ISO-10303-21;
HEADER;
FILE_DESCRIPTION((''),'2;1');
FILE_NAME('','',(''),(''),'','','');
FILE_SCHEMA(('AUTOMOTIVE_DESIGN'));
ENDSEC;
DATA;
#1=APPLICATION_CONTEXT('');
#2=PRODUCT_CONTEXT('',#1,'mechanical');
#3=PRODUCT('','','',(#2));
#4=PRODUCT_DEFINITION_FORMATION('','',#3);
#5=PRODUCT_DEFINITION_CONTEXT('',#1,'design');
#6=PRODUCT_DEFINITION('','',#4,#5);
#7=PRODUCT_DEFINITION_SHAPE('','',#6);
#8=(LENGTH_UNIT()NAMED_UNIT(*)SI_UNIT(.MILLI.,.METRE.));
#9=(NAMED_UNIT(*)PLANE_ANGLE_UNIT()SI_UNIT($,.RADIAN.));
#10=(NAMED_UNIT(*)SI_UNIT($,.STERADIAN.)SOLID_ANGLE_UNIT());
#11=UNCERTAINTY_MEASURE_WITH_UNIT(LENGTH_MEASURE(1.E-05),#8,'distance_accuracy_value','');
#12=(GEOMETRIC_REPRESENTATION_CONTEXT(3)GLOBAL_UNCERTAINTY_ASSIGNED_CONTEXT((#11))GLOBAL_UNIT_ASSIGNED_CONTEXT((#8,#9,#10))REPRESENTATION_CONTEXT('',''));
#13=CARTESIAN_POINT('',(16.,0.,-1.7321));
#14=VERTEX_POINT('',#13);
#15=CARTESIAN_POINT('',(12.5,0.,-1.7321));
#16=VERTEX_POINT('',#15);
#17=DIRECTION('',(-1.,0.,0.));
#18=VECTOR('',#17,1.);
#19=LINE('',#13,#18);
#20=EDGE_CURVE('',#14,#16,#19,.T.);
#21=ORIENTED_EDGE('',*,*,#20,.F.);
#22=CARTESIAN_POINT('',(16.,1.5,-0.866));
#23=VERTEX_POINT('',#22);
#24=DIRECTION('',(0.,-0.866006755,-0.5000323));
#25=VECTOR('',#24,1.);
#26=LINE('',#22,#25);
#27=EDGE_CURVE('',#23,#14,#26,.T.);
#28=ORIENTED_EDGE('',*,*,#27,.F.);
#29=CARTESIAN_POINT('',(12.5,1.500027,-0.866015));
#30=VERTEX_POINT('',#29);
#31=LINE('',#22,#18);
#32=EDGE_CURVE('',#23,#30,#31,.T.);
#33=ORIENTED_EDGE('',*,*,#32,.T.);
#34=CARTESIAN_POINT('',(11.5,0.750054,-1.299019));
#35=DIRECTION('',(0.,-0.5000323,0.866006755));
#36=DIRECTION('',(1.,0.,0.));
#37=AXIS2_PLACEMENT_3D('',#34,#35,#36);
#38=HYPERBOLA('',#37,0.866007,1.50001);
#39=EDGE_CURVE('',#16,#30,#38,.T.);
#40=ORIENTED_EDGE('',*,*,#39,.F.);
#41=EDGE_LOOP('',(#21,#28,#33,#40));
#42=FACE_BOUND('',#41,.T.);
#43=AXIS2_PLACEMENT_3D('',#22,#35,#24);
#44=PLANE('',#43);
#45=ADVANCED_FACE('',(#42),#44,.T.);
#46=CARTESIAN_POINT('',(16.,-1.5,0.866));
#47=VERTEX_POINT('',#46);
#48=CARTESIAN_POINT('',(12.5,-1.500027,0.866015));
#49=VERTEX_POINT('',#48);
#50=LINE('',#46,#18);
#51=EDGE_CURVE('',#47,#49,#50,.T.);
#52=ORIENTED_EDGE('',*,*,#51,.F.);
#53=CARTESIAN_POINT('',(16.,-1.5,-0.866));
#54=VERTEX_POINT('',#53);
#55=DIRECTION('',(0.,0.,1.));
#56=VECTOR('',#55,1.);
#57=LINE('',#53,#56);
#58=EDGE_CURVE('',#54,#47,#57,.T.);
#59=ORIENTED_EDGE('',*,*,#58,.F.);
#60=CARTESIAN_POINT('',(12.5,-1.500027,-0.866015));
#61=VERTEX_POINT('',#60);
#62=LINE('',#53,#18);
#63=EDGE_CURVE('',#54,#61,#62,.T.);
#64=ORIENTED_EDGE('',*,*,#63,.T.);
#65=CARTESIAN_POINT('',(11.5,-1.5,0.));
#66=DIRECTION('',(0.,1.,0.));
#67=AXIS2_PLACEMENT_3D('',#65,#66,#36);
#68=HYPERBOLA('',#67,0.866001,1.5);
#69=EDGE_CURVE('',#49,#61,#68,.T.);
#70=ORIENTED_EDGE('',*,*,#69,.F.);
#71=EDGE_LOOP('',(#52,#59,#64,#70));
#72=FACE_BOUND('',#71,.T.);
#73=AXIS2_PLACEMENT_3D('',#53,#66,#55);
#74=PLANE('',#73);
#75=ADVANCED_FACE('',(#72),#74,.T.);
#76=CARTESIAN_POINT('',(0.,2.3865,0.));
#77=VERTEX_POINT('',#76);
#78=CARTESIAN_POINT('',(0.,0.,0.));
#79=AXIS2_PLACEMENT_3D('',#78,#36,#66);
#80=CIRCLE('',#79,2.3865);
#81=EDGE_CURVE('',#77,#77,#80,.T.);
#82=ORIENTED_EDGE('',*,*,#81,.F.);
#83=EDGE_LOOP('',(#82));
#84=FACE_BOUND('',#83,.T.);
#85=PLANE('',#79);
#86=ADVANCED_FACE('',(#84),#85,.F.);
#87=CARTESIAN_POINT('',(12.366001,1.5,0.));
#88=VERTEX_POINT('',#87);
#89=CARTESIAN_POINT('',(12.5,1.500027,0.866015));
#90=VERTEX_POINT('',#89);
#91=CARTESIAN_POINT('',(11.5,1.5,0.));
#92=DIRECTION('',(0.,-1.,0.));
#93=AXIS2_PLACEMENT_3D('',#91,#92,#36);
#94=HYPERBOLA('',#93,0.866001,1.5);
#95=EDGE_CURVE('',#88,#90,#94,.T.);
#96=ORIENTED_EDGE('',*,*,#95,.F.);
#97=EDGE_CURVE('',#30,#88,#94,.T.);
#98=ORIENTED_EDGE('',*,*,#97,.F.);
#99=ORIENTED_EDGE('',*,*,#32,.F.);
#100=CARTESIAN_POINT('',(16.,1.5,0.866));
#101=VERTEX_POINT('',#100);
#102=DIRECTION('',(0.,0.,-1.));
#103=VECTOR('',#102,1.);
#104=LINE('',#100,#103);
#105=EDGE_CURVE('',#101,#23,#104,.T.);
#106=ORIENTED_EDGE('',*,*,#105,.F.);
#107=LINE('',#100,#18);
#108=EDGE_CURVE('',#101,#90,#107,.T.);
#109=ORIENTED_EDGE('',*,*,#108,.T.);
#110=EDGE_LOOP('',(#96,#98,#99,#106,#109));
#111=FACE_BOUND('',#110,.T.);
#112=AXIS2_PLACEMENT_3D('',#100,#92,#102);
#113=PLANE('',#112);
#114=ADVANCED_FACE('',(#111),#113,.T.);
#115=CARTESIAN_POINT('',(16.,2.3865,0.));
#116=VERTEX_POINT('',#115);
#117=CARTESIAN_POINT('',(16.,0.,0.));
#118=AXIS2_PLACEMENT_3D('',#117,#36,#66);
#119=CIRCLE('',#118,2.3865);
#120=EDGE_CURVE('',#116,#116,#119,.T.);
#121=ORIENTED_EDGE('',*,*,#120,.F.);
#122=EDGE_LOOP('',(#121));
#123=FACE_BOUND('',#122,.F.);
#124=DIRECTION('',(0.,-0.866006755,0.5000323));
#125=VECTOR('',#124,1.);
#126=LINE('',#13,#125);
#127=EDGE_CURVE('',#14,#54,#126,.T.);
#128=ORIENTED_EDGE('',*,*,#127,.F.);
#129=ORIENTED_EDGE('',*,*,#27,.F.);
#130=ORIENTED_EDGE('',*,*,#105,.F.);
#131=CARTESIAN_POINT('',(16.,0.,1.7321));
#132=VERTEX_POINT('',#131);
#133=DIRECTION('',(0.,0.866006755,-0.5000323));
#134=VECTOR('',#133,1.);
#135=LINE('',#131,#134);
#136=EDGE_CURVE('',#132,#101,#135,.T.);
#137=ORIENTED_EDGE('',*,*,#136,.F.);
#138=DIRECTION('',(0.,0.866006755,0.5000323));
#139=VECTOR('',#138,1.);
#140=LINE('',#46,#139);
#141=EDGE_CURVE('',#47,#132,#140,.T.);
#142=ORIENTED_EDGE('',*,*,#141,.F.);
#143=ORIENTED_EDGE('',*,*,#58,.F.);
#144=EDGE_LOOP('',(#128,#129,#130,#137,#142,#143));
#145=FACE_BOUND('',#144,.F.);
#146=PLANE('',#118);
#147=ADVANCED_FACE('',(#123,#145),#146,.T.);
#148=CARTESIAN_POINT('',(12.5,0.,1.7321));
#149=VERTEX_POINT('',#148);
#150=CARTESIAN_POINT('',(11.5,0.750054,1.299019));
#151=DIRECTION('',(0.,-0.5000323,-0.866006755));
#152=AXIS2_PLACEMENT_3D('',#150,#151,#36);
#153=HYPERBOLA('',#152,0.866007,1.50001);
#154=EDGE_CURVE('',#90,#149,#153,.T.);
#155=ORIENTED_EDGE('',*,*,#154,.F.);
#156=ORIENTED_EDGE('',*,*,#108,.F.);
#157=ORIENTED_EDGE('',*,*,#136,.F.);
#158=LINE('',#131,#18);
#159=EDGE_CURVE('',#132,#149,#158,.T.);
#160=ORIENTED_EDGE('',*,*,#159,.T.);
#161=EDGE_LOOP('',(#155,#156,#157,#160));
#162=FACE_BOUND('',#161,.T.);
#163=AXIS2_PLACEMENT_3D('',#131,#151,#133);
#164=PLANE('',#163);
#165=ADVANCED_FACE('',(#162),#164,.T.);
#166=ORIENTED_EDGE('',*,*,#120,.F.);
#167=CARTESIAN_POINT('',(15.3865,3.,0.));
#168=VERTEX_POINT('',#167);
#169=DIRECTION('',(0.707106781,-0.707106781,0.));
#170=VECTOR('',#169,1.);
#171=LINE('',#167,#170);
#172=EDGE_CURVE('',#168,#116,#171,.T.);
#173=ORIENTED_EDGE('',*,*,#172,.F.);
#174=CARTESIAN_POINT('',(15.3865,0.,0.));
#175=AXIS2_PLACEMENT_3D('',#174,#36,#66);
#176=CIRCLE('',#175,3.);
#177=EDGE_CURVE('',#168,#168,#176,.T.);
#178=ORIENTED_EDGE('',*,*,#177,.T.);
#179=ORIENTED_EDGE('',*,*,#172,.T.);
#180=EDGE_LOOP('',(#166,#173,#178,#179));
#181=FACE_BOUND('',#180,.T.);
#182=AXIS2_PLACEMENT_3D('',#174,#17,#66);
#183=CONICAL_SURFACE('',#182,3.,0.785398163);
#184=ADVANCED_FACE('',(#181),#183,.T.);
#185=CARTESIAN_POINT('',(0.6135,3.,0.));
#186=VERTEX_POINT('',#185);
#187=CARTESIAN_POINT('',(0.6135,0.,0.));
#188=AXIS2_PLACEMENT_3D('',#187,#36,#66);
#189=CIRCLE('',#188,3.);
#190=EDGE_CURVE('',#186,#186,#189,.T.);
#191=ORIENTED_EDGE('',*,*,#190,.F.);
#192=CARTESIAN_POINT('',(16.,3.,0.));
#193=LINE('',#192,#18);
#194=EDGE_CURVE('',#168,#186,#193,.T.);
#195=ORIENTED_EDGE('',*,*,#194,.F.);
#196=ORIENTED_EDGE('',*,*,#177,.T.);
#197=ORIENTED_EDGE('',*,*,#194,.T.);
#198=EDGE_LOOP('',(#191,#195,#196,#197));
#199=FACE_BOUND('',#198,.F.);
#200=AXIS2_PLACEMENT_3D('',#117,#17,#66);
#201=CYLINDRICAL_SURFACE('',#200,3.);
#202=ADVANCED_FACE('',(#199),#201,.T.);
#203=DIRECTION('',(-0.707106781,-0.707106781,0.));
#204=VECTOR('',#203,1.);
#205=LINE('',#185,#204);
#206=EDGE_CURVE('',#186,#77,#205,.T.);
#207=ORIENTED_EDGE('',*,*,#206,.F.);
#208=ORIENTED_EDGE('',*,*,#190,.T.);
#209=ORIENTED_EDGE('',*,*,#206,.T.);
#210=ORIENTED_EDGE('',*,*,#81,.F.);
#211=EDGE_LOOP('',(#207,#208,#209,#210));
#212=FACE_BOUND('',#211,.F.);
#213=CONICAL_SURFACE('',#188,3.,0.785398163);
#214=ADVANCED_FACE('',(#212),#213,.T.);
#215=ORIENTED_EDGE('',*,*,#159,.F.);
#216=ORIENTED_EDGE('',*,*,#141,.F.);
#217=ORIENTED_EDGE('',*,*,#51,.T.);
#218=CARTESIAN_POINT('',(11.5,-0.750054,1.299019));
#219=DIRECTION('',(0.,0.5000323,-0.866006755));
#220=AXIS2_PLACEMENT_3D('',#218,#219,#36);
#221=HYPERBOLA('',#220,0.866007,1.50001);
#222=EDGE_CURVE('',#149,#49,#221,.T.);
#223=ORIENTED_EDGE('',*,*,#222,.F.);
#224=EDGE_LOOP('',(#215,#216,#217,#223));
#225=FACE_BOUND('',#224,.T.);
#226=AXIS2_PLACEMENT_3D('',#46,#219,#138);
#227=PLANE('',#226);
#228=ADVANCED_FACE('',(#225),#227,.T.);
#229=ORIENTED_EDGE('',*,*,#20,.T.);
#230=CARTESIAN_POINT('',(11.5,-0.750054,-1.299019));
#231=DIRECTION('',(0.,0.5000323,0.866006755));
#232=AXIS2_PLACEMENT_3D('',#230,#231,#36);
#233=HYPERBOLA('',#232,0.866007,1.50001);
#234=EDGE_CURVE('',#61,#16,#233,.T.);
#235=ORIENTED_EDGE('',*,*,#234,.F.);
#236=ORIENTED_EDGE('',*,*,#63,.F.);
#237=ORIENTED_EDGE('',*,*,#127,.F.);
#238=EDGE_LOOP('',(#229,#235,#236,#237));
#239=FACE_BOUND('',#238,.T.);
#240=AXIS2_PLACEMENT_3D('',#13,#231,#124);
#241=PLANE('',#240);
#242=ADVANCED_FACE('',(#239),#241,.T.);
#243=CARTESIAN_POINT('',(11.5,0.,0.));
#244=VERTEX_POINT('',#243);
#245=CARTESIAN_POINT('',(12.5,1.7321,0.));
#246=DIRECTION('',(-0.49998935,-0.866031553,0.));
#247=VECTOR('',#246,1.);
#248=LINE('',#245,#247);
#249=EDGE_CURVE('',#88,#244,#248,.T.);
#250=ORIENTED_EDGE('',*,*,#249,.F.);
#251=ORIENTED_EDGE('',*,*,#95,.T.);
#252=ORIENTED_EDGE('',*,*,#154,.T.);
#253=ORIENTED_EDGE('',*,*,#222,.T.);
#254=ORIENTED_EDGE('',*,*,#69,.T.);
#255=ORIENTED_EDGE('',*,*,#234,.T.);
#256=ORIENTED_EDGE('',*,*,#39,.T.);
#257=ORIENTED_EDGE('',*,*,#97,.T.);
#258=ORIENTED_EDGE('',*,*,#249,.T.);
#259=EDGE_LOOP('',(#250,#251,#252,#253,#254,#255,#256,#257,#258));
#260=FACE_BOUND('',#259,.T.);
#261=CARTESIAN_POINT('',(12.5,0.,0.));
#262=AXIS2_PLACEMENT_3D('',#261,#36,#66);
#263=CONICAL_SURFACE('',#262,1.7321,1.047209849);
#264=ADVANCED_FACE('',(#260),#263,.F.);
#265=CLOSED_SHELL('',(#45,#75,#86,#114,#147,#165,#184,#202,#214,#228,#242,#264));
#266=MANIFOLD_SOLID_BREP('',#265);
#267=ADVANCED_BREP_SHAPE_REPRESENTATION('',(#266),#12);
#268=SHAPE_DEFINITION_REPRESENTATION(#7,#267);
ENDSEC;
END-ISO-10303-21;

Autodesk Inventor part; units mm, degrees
ref_plane "YZ Plane" through (0, 0, 0) normal (1, 0, 0) x (0, 1, 0)
ref_plane "XZ Plane" through (0, 0, 0) normal (0, 1, 0) x (-1, 0, 0)
sketch "Sketch1" plane through (0, 0, 0) normal (0, 0, 1) x (1, 0, 0)
  line L0 (0, 0) -> (11.5, 0)
  line L1 (16, 1.7321) -> (16, 3)
  line L2 (16, 3) -> (0, 3)
  line L3 (16, 1.7321) -> (12.5, 1.7321)
  line L4 (12.5, 1.7321) -> (11.5, 0)
  line L5 (0, -0.6) -> (0, 3.6) projected
  line L6 (0, 3) -> (0, 0)
  dimension "d0" = 3.5
  dimension "d1" = 60
  dimension "d2" = 6
  dimension "d3" = 3.4641
  dimension "d5" = 16
revolve "Body" add sketch "Sketch1" angle 360 about axis through (0, 0, 0) along (1, 0, 0)
chamfer "Chamfer1" distance 0.6135 angle 45 1 edges at (16, -3, 0) measured on face at (16, 2.5483, -0.2393)
sketch "Sketch2" plane through (16, 0, 0) normal (1, 0, 0) x (0, 0, -1)
  circle A0 centre (0, 0) radius 1.7321 projected
  line L0 (-0.866, 1.5) -> (0.866, 1.5)
  line L1 (0.866, 1.5) -> (1.7321, 0)
  line L2 (1.7321, 0) -> (0.866, -1.5)
  line L3 (0.866, -1.5) -> (-0.866, -1.5)
  line L4 (-0.866, -1.5) -> (-1.7321, 0)
  line L5 (-1.7321, 0) -> (-0.866, 1.5)
  point P0 (0, 0)
  point P1 (0, 0)
extrude "Slot" add sketch "Sketch2" against normal up to next contours L1 A0 | A0 L2 | L0 A0 | A0 L3 | L5 A0 | A0 L4
thread "Thread" size "M6x1" class "6g" standard "ISO Metric profile" length 16
chamfer "Chamfer2" distance 0.6135 angle 45 1 edges at (0, -3, 0) measured on face at (5.1288, 2.9612, -0.4812)
ref_plane "Work Plane1" through (8, 0, 0) normal (0, 0.5, 0.866) x (1, 0, 0)
equation "\"d7\" = -0.5 * GD1 + 0.5 * NND"
equation "\"d8\" = FAWI"
equation "\"d29\" = -0.5 * GD1 + 0.5 * NND"
equation "\"d11\" = NLG"
equation "\"d13\" = -0.5 * GD1 + 0.5 * NND"
equation "\"d14\" = FAWI"
equation "\"d30\" = -0.5 * GD1 + 0.5 * NND"
equation "\"d0\" = INTI"
equation "\"d2\" = NND"
equation "\"d3\" = 1.1547 * SW"
equation "\"d5\" = NLG"
equation "\"NND\" = 6"
equation "\"NLG\" = 16"
equation "\"INTI\" = 3.5"
equation "\"FAWI\" = 45deg"
equation "\"SW\" = 3"
equation "\"GD1\" = THREADDIA - 1.2269 * PTC"
equation "\"FAWI1\" = 45deg"
equation "\"GUL\" = 0.61345 * PTC"
equation "\"SPD\" = 4"
equation "\"SEWI\" = 90deg"
equation "\"TOA\" = 30deg"
equation "\"THREADDIA\" = 6"
equation "\"PTC\" = 1"
equation "\"GAL\" = 0.61345 * PTC"
equation "\"E0\" = 1.155 * SW"
properties part number "ISO 4026 - M6 x 16" material "Stainless Steel, 440C"
